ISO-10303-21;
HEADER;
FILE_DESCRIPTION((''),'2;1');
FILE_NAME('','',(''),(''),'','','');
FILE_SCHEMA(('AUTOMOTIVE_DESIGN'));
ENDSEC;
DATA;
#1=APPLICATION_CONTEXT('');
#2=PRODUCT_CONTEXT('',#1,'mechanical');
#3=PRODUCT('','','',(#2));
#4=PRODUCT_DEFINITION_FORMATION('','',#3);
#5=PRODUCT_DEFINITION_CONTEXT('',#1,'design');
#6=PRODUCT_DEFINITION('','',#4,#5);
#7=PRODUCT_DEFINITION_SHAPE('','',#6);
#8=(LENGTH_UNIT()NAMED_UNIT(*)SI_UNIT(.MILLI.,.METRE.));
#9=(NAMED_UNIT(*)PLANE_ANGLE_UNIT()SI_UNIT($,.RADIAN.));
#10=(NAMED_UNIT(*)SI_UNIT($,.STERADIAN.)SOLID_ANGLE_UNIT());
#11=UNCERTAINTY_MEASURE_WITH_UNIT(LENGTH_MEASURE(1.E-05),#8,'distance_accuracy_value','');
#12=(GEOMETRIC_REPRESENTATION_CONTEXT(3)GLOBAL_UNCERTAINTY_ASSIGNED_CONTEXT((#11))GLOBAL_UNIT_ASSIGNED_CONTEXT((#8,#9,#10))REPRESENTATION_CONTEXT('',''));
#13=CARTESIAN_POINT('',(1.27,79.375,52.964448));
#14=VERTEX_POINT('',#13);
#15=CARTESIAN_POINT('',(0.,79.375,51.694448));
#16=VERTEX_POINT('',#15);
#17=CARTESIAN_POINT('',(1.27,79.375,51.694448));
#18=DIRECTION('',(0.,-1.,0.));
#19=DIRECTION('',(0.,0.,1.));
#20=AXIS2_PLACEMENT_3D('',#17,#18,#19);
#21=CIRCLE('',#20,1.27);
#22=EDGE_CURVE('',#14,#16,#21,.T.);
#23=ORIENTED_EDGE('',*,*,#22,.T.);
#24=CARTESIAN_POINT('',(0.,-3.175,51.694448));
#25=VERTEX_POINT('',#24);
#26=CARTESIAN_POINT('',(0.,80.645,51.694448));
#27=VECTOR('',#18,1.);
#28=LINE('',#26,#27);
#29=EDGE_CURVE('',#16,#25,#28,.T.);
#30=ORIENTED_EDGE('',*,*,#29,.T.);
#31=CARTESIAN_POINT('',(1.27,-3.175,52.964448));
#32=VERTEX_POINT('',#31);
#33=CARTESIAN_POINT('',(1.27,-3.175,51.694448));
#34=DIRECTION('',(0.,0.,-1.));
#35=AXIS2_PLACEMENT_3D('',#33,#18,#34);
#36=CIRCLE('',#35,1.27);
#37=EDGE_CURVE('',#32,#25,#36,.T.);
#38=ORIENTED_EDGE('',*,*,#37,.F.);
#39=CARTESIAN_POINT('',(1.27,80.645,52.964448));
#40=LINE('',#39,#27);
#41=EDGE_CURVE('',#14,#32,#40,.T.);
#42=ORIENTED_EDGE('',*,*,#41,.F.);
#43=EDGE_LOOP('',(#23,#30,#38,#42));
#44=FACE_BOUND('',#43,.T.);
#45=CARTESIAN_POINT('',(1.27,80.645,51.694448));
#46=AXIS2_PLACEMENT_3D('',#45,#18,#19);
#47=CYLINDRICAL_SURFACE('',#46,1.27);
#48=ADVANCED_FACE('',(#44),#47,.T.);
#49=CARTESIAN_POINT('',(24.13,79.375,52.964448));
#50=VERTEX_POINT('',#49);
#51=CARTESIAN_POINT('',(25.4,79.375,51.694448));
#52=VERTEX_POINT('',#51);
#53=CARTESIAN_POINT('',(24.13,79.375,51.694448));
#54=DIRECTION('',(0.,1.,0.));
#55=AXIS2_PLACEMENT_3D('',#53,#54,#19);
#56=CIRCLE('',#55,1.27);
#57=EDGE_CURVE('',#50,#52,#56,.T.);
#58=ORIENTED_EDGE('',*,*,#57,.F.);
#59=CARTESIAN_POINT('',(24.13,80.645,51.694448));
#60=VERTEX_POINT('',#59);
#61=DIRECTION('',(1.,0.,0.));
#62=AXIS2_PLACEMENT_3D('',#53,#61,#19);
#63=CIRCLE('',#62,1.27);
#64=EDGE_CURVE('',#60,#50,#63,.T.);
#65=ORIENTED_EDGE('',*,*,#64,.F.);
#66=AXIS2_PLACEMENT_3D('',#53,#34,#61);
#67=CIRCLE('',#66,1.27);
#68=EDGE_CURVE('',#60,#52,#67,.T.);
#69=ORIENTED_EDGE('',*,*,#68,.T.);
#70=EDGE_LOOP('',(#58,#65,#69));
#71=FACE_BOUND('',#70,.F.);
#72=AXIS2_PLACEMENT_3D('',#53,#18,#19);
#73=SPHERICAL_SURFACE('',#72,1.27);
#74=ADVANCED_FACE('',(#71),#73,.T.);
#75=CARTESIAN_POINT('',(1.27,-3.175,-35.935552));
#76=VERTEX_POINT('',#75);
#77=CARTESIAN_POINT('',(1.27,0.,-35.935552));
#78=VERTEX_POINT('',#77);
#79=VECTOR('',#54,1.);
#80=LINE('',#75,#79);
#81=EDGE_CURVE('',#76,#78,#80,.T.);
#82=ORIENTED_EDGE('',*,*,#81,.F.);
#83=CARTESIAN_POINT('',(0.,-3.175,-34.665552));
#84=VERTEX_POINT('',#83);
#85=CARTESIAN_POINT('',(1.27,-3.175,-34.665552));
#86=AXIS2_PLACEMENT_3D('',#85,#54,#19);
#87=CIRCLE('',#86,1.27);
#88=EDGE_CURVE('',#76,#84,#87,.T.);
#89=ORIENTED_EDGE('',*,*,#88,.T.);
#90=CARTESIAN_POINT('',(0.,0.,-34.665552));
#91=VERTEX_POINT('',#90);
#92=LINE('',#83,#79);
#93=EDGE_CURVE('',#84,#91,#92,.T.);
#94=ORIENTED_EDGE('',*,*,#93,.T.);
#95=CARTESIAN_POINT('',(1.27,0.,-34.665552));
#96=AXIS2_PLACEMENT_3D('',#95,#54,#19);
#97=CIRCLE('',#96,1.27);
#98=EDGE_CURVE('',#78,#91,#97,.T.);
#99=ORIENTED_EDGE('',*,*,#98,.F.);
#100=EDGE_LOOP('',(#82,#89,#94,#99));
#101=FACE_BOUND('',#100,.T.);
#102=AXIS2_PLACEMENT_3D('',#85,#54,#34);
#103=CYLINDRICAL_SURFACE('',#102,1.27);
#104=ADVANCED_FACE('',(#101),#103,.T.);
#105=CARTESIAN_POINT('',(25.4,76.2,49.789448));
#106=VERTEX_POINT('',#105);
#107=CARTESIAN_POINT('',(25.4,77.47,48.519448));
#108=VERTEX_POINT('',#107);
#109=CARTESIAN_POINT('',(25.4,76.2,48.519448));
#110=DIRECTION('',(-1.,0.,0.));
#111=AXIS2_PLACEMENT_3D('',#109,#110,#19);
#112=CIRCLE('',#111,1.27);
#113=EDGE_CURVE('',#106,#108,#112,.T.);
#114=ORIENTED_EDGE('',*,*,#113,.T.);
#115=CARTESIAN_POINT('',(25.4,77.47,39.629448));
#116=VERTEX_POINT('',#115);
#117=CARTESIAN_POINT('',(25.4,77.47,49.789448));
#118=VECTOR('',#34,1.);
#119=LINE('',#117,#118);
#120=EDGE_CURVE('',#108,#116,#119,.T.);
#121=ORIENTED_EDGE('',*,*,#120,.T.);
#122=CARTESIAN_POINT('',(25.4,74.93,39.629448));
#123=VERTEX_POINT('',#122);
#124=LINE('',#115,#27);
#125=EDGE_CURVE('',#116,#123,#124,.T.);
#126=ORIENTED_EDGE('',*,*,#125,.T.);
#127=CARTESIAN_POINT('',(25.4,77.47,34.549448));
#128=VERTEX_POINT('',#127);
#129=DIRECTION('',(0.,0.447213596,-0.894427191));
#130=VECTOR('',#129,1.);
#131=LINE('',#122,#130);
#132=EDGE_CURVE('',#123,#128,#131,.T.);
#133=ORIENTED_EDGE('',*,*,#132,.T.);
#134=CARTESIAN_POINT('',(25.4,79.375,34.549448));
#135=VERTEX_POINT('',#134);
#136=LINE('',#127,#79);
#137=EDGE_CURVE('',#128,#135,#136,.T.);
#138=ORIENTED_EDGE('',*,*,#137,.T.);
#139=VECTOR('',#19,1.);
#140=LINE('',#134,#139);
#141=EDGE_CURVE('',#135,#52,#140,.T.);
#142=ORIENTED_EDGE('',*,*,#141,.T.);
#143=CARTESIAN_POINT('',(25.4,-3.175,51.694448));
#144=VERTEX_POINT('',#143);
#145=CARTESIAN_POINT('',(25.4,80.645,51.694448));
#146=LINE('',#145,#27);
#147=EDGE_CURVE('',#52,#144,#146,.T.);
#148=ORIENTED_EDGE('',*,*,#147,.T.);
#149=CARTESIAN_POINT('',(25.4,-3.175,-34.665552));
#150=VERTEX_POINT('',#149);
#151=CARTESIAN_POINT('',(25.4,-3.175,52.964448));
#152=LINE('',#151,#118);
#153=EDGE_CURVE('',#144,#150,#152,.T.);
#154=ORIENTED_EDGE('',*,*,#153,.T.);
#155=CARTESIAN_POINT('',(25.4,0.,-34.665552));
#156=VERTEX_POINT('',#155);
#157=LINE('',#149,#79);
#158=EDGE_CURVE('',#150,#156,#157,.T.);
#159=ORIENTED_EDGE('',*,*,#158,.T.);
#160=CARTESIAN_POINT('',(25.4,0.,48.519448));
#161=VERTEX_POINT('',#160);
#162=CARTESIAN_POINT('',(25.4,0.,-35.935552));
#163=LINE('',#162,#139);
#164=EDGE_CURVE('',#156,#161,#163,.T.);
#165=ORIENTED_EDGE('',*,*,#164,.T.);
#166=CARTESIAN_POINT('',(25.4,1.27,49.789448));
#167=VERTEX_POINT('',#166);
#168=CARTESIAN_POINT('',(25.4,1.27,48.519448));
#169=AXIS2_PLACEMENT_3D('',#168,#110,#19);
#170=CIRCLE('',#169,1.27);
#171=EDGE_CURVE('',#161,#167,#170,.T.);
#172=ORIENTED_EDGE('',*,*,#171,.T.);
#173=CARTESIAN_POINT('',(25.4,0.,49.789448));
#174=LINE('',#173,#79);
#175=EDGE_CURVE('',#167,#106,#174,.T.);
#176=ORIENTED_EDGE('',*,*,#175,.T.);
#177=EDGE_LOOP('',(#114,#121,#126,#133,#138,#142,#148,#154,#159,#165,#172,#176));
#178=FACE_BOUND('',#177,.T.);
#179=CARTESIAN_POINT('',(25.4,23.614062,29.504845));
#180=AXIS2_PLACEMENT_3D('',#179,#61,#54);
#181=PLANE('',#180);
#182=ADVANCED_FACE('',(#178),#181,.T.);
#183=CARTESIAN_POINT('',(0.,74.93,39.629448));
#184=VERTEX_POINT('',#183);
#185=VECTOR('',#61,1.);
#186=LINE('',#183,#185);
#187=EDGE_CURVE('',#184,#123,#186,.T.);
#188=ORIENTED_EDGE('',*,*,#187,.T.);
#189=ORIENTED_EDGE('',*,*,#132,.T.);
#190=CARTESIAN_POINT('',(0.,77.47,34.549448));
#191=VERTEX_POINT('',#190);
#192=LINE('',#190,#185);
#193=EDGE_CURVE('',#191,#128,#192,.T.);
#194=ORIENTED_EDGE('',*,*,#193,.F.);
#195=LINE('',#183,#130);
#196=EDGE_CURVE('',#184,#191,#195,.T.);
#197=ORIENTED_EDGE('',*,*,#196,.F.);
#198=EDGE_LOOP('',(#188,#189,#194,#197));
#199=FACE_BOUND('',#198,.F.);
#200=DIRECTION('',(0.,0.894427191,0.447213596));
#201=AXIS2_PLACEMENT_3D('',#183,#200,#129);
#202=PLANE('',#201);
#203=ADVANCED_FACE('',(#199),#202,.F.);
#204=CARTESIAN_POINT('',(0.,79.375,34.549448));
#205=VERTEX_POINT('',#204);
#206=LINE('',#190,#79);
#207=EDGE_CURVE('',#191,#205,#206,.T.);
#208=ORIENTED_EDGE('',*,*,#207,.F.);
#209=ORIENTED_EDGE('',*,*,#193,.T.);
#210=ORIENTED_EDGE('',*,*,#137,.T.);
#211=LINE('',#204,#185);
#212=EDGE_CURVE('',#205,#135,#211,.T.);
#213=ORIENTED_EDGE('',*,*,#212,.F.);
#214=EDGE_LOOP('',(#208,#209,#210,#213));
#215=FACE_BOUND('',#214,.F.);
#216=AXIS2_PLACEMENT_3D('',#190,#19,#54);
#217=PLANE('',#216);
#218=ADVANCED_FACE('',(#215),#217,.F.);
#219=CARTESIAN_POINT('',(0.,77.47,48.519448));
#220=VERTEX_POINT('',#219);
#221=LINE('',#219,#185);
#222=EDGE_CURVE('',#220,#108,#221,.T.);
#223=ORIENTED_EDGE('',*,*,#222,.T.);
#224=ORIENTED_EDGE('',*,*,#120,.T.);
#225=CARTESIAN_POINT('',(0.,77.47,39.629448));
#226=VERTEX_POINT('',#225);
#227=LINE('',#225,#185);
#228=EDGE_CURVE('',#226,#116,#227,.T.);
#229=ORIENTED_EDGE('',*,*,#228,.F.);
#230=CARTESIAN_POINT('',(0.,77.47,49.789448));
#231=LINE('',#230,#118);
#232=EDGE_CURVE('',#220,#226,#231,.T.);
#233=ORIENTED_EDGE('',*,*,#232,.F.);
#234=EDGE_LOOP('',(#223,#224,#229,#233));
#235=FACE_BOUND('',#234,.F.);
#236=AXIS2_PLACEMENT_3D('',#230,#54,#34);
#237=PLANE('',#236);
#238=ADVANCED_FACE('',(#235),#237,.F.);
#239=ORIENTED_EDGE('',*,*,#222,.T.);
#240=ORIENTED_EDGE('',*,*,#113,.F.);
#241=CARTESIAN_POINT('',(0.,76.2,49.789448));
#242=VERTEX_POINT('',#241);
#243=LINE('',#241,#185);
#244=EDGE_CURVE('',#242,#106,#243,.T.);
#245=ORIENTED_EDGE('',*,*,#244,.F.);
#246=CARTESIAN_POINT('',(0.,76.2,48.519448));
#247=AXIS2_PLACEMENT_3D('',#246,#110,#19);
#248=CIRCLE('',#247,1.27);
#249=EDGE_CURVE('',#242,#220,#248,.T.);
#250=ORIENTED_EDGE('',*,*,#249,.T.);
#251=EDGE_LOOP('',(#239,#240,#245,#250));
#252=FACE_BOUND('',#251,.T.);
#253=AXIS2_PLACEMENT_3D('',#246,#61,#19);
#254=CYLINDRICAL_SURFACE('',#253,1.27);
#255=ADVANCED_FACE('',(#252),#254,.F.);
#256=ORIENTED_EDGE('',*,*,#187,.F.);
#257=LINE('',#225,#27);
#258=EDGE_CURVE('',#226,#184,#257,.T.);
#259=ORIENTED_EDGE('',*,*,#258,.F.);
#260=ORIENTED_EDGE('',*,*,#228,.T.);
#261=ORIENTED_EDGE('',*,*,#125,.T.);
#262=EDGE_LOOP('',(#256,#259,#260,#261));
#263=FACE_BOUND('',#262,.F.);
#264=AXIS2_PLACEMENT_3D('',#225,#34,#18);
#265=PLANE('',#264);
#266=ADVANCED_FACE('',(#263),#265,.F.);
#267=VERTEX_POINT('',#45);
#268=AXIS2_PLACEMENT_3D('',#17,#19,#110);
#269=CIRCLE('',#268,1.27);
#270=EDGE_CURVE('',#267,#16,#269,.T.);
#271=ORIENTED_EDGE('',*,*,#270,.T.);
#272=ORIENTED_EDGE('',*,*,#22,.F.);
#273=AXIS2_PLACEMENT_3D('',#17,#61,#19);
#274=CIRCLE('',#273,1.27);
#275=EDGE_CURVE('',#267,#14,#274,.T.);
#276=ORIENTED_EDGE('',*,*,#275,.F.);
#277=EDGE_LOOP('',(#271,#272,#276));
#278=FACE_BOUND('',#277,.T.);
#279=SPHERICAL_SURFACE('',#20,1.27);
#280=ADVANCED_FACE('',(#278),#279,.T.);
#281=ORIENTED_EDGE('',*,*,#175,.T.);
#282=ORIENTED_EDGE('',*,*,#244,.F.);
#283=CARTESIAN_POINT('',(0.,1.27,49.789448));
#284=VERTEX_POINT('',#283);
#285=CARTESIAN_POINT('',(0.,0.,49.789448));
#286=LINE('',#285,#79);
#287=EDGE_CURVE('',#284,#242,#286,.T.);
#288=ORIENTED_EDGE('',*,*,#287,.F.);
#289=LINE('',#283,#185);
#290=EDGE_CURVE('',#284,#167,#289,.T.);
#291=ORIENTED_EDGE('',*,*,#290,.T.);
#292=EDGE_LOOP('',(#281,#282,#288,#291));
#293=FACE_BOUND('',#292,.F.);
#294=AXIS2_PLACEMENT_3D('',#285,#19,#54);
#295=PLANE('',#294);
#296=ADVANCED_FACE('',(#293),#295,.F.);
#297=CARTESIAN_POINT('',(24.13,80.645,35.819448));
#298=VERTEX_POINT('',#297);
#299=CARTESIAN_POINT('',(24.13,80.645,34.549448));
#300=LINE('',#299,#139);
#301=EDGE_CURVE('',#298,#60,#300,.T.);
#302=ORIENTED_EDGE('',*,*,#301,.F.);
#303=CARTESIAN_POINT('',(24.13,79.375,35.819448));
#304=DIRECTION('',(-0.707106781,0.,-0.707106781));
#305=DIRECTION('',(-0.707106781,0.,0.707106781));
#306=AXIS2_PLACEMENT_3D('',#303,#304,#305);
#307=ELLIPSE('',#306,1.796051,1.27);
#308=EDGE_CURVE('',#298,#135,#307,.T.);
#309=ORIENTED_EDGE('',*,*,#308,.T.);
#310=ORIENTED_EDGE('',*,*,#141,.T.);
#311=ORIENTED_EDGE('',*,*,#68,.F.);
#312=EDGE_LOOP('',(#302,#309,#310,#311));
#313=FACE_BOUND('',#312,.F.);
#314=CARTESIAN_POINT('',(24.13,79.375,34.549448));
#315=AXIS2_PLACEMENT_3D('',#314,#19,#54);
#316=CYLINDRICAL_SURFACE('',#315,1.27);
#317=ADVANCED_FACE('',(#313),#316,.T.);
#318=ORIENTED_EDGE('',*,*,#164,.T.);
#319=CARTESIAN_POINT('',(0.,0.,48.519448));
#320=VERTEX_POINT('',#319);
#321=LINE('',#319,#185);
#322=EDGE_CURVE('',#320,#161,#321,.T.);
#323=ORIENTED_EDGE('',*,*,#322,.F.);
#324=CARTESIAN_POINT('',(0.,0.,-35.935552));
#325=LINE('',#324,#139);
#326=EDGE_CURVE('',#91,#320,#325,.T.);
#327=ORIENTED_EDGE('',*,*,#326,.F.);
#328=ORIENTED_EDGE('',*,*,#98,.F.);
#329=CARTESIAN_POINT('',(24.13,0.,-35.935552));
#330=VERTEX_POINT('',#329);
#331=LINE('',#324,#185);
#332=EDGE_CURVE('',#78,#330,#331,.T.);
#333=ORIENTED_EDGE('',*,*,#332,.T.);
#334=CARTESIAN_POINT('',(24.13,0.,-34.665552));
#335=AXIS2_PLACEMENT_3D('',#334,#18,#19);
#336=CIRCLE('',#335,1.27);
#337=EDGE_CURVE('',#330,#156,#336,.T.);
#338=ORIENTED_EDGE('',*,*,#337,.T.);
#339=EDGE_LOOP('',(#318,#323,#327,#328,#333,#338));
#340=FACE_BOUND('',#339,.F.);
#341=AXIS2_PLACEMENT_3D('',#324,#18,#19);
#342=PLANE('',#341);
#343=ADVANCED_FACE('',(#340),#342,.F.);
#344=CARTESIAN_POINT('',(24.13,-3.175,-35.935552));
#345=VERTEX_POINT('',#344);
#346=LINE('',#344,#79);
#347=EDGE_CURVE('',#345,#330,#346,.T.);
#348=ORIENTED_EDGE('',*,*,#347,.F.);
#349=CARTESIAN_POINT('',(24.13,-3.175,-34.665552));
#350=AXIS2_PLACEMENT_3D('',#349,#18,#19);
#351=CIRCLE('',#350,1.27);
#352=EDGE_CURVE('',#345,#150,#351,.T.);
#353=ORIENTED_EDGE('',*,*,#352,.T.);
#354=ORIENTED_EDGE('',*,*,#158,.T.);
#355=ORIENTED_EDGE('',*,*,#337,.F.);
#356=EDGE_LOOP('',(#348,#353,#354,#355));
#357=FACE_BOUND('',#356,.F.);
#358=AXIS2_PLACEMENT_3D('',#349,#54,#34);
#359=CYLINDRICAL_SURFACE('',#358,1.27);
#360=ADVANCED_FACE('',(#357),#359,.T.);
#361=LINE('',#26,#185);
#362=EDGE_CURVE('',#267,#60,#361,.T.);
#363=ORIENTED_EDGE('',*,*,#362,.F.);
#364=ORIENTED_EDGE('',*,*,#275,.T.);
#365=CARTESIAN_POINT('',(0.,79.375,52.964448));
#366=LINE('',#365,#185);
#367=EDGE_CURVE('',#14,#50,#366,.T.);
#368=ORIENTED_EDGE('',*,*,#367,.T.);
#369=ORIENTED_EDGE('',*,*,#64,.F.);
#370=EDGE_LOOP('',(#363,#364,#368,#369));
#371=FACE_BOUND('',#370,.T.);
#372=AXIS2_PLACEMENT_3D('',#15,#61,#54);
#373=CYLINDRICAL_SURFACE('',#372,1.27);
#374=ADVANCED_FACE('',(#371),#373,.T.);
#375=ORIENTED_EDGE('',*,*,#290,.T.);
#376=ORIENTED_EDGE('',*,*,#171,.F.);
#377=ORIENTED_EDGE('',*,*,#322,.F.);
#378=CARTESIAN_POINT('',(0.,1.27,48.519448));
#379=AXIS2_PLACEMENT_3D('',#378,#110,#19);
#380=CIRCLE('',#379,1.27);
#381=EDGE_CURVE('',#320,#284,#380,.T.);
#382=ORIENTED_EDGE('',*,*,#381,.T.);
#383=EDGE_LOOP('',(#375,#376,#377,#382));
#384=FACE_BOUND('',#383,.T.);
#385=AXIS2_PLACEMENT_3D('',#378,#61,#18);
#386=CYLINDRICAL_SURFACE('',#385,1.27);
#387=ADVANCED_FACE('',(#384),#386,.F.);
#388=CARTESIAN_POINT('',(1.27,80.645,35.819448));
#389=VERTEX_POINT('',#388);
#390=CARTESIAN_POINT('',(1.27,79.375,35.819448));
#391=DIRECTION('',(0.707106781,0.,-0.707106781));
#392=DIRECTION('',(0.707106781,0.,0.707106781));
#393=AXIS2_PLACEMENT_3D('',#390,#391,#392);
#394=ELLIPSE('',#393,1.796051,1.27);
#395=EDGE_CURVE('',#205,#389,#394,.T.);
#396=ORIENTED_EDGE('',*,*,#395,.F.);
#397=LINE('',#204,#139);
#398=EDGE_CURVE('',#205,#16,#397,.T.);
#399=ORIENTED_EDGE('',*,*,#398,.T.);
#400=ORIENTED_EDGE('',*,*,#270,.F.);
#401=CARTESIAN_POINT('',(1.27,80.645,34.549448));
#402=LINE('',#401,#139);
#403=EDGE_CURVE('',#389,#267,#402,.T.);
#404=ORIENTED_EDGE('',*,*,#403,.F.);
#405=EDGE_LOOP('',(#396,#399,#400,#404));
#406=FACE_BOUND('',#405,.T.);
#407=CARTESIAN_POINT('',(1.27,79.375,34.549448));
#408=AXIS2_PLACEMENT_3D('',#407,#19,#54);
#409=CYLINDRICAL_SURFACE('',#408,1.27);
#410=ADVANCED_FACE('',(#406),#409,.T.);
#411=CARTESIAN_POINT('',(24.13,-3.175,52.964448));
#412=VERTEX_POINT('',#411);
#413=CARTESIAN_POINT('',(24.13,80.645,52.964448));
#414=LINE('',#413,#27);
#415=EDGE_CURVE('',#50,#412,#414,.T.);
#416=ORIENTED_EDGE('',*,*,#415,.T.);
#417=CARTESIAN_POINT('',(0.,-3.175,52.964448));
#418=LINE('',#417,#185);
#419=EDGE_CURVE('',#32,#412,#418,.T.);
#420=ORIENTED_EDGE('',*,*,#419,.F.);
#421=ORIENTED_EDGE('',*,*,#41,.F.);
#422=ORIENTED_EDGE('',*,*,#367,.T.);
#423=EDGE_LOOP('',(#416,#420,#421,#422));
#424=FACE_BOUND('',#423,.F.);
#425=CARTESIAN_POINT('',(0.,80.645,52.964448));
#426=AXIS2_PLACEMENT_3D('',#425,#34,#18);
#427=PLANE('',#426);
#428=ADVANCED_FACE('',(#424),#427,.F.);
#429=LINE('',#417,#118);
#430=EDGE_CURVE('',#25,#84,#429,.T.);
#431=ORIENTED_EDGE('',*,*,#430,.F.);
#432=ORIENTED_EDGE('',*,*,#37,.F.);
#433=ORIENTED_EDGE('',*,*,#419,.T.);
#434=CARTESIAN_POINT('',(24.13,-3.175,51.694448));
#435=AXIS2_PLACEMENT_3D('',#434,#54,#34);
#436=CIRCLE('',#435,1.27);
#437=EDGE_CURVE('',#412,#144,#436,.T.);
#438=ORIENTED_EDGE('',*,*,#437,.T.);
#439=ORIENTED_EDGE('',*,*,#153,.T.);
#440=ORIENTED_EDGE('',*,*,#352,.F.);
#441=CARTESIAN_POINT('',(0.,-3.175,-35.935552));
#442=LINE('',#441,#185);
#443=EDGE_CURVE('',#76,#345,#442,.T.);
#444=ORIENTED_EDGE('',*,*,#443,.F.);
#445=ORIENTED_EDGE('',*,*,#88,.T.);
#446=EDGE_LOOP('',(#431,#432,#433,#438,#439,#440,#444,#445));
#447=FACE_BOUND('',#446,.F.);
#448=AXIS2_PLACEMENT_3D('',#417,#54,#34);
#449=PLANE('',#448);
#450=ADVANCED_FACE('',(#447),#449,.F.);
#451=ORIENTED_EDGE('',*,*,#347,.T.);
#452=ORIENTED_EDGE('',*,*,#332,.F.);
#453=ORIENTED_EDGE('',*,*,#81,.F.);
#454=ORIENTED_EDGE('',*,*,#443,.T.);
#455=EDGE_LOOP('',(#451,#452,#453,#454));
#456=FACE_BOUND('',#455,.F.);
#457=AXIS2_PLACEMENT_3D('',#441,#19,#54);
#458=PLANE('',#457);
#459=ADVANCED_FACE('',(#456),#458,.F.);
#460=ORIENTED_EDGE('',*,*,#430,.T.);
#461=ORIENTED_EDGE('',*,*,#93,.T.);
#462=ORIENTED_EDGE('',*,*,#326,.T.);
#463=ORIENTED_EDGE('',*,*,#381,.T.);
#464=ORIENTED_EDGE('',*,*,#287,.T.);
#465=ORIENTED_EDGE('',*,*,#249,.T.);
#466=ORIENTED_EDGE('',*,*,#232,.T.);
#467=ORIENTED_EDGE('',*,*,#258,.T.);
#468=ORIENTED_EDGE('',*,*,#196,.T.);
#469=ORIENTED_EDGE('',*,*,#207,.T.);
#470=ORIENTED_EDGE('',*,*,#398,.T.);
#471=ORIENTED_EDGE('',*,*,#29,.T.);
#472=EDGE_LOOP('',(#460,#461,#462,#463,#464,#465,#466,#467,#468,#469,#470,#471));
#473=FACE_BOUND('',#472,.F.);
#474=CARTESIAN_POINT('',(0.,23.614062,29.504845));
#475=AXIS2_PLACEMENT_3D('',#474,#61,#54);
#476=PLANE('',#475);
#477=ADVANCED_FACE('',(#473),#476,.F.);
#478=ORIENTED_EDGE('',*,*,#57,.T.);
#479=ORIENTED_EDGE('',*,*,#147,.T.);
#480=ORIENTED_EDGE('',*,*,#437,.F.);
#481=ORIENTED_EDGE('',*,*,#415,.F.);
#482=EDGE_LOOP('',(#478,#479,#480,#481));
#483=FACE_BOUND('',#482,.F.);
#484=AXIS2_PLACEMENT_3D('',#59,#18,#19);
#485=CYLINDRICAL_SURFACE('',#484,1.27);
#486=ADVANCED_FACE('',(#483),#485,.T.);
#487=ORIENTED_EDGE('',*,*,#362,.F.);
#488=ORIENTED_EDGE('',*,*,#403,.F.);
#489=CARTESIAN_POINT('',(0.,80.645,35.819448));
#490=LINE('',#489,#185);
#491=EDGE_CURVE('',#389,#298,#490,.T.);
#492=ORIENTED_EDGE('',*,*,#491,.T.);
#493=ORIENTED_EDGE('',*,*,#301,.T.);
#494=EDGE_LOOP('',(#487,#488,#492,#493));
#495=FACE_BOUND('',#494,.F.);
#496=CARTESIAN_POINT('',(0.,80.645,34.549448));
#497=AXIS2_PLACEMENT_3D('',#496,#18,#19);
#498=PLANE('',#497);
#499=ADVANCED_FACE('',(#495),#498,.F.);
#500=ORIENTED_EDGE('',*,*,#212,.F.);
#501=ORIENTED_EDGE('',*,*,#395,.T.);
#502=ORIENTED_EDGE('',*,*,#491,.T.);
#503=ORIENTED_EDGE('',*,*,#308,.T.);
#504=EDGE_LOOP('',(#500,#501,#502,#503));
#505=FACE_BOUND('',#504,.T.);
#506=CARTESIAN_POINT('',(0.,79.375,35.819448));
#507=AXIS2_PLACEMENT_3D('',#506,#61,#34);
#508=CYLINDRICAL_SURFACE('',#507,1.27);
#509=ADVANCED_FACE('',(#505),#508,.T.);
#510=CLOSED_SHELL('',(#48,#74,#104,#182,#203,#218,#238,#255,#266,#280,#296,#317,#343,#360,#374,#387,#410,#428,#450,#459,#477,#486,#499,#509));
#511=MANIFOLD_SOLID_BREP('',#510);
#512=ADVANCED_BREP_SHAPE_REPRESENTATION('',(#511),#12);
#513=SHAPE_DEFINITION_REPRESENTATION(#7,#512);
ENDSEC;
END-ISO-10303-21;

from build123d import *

# Parameters (mm, degrees)
F1_DEPTH = 25.4
F2_R     = 1.27
F3_R     = 1.27


with BuildPart() as f1:
    # F0 (on Right) → F1 (new body)
    with BuildSketch(Plane.YZ):
        Polygon((0, -35.935552), (0, 49.789448), (77.47, 49.789448), (77.47, 39.629448), (77.47, 34.549448), (80.645, 34.549448), (80.645, 49.789448), (80.645, 52.964448), (77.47, 52.964448), (0, 52.964448), (-3.175, 52.964448), (-3.175, 49.789448), (-3.175, 11.689448), (-3.175, -35.935552), align=None)
        Polygon((77.47, 34.549448), (77.47, 39.629448), (74.93, 39.629448), align=None)
    extrude(amount=F1_DEPTH)

    # F2
    f2_edges = [f1.edges().sort_by_distance(p)[0] for p in [
        (25.4, 38.735, 52.964448),
        (0, 38.735, 52.964448),
        (12.7, 80.645, 52.964448),
        (25.4, 80.645, 43.756948),
        (12.7, 80.645, 34.549448),
        (0, 80.645, 43.756948),
        (25.4, -1.5875, -35.935552),
        (0, -1.5875, -35.935552),
    ]]
    fillet(f2_edges, radius=F2_R)

    # F3
    f3_edges = [f1.edges().sort_by_distance(p)[0] for p in [
        (12.7, 0, 49.789448),
        (12.7, 77.47, 49.789448),
    ]]
    fillet(f3_edges, radius=F3_R)


solid = f1.part
